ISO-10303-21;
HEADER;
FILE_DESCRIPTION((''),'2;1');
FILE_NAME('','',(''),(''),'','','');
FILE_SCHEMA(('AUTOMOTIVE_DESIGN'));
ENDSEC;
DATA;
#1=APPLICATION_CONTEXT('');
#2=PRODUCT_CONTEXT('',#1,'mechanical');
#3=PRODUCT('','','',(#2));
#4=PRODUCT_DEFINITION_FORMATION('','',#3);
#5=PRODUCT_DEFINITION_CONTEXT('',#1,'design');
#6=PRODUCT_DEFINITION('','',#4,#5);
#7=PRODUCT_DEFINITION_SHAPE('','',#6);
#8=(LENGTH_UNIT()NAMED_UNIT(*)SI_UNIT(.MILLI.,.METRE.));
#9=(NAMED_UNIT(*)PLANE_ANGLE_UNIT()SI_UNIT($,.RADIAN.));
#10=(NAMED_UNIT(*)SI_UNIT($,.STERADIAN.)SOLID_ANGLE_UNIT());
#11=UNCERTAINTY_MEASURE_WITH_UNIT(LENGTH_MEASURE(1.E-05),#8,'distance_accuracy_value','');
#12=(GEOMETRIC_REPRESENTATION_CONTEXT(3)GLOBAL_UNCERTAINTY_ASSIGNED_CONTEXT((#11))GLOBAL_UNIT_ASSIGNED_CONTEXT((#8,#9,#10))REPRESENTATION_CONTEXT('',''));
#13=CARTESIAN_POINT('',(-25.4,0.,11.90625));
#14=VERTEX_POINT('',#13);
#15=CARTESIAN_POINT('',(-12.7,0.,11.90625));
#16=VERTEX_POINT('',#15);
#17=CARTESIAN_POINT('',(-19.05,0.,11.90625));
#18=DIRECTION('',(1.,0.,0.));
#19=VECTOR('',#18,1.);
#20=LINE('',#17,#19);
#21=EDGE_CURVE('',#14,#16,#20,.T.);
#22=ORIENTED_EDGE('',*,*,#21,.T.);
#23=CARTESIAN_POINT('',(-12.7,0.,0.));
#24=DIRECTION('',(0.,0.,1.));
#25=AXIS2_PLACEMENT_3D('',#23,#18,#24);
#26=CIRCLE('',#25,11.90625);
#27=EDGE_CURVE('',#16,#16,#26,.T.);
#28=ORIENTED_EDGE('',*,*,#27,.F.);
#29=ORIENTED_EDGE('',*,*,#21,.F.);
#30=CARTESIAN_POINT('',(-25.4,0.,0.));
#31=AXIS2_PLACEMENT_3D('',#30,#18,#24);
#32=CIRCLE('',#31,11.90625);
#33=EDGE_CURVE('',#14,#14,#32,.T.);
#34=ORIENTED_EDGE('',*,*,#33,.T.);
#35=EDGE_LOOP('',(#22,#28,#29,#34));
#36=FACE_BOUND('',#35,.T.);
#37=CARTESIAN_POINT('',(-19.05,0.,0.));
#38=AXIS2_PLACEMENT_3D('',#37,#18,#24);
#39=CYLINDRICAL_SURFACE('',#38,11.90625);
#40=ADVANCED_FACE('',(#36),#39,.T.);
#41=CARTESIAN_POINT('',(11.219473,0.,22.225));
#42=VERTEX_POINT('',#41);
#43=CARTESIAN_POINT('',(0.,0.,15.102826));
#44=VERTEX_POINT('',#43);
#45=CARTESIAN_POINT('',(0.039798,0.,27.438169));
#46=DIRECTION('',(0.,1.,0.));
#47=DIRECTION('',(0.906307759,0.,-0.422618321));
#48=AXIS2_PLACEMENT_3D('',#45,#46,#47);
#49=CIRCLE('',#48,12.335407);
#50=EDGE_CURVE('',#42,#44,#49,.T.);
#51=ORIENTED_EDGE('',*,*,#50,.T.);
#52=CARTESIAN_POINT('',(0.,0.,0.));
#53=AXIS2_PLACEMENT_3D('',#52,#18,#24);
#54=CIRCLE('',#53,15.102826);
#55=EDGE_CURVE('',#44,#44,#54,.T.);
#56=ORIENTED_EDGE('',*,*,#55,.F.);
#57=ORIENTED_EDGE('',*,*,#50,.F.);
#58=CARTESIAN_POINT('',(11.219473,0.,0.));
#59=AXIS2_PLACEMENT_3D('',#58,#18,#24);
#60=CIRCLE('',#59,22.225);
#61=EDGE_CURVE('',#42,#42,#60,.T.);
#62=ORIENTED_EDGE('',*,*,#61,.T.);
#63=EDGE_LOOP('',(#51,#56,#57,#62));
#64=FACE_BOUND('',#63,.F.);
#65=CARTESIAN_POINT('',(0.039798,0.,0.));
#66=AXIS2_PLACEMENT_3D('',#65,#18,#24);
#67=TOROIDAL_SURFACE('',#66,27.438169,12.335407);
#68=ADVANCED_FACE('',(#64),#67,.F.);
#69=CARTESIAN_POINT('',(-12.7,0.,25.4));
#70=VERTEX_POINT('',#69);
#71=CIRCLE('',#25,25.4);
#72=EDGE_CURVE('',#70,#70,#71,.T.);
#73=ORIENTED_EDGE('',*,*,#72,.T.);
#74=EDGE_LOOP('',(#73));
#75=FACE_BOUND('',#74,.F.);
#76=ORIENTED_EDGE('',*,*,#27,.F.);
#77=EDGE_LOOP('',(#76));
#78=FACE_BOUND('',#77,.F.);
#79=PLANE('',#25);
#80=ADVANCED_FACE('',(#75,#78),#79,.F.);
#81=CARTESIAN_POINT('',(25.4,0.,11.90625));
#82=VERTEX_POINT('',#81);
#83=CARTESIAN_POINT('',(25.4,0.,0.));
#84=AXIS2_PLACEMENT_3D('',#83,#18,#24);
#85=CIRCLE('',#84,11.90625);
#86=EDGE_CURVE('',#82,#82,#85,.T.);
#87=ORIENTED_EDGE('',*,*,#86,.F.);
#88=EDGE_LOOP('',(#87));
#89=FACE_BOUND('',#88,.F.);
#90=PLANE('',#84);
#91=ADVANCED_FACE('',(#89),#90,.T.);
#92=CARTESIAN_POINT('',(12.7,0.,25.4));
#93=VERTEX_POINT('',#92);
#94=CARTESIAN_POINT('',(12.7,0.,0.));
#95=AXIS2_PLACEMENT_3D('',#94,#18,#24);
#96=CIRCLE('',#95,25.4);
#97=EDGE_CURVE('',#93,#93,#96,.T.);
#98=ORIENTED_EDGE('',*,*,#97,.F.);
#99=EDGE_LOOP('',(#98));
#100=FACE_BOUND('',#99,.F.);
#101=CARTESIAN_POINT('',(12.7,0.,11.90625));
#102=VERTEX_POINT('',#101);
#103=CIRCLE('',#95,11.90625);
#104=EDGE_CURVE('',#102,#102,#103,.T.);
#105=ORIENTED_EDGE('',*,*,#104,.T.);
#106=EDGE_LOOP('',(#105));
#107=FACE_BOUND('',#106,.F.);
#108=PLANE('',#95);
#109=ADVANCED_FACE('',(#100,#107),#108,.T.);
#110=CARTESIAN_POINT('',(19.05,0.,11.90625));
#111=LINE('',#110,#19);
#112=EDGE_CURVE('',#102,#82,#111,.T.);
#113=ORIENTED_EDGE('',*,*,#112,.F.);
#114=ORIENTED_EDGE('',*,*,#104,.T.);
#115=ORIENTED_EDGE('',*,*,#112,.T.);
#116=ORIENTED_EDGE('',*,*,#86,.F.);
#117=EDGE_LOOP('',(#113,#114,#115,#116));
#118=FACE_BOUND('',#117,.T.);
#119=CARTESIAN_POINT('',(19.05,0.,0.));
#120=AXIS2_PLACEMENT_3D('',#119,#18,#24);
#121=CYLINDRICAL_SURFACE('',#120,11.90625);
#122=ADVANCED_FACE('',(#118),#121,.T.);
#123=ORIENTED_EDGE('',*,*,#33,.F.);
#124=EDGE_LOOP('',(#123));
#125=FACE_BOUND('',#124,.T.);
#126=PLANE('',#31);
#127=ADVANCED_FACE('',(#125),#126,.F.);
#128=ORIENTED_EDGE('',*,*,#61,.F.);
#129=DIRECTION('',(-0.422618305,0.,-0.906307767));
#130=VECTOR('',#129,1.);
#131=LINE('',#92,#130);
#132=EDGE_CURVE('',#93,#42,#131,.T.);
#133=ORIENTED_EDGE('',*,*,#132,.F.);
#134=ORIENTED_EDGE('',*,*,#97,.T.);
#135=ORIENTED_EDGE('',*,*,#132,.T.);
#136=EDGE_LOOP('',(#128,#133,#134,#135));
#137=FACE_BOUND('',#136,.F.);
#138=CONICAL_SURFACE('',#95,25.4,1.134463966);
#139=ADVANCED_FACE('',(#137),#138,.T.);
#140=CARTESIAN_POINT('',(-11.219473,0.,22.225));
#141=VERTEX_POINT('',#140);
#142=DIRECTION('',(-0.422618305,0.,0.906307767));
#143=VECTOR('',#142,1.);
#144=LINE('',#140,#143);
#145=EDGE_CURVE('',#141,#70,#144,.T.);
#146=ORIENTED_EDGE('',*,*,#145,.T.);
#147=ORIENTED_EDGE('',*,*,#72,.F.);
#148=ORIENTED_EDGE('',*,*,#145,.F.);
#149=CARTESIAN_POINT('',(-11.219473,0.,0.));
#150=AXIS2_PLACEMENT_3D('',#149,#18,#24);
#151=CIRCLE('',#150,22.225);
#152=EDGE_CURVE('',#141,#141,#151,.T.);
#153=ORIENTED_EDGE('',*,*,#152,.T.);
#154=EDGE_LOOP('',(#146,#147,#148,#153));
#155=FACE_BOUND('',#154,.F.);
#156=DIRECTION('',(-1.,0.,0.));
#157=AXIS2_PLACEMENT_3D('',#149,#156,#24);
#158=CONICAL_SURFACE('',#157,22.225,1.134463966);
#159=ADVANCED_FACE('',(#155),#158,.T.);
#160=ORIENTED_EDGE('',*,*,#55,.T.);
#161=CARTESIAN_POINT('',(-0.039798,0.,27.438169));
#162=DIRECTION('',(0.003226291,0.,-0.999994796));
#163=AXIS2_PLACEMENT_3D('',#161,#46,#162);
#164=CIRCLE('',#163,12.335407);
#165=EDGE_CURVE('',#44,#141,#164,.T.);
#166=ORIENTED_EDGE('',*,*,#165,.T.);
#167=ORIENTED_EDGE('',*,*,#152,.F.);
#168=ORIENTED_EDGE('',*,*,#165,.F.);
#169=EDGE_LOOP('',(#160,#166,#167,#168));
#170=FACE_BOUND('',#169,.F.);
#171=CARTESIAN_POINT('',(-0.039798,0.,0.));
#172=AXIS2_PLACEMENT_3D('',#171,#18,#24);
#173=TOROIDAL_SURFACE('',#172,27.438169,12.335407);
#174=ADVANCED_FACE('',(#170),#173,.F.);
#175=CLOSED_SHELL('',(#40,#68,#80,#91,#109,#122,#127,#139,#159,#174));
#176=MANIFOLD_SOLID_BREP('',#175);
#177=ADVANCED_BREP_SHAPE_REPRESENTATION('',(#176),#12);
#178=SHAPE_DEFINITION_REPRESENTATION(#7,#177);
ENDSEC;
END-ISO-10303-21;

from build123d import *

# Parameters (mm, degrees)
F0_W = 12.7
F0_H = 11.90625


with BuildPart() as f1:
    # F0 (on Front) → F1 (revolve)
    with BuildSketch(Plane.XZ):
        with BuildLine():
            Line((-12.7, 11.90625), (-12.7, 0))
            Line((-12.7, 0), (12.7, 0))
            Line((12.7, 0), (12.7, 11.90625))
            Line((12.7, 11.90625), (12.7, 25.4))
            Line((12.7, 25.4), (11.219473, 22.225))
            ThreePointArc((11.219473, 22.225), (6.650816, 17.023914), (0, 15.102826))
            ThreePointArc((0, 15.102826), (-6.650816, 17.023914), (-11.219473, 22.225))
            Line((-11.219473, 22.225), (-12.7, 25.4))
            Line((-12.7, 25.4), (-12.7, 11.90625))
        make_face()
        with Locations((-19.05, 5.953125)):
            Rectangle(F0_W, F0_H)
        with Locations((19.05, 5.953125)):
            Rectangle(F0_W, F0_H)
    revolve(axis=Axis((0, 0, 0), (1, 0, 0)))


solid = f1.part
